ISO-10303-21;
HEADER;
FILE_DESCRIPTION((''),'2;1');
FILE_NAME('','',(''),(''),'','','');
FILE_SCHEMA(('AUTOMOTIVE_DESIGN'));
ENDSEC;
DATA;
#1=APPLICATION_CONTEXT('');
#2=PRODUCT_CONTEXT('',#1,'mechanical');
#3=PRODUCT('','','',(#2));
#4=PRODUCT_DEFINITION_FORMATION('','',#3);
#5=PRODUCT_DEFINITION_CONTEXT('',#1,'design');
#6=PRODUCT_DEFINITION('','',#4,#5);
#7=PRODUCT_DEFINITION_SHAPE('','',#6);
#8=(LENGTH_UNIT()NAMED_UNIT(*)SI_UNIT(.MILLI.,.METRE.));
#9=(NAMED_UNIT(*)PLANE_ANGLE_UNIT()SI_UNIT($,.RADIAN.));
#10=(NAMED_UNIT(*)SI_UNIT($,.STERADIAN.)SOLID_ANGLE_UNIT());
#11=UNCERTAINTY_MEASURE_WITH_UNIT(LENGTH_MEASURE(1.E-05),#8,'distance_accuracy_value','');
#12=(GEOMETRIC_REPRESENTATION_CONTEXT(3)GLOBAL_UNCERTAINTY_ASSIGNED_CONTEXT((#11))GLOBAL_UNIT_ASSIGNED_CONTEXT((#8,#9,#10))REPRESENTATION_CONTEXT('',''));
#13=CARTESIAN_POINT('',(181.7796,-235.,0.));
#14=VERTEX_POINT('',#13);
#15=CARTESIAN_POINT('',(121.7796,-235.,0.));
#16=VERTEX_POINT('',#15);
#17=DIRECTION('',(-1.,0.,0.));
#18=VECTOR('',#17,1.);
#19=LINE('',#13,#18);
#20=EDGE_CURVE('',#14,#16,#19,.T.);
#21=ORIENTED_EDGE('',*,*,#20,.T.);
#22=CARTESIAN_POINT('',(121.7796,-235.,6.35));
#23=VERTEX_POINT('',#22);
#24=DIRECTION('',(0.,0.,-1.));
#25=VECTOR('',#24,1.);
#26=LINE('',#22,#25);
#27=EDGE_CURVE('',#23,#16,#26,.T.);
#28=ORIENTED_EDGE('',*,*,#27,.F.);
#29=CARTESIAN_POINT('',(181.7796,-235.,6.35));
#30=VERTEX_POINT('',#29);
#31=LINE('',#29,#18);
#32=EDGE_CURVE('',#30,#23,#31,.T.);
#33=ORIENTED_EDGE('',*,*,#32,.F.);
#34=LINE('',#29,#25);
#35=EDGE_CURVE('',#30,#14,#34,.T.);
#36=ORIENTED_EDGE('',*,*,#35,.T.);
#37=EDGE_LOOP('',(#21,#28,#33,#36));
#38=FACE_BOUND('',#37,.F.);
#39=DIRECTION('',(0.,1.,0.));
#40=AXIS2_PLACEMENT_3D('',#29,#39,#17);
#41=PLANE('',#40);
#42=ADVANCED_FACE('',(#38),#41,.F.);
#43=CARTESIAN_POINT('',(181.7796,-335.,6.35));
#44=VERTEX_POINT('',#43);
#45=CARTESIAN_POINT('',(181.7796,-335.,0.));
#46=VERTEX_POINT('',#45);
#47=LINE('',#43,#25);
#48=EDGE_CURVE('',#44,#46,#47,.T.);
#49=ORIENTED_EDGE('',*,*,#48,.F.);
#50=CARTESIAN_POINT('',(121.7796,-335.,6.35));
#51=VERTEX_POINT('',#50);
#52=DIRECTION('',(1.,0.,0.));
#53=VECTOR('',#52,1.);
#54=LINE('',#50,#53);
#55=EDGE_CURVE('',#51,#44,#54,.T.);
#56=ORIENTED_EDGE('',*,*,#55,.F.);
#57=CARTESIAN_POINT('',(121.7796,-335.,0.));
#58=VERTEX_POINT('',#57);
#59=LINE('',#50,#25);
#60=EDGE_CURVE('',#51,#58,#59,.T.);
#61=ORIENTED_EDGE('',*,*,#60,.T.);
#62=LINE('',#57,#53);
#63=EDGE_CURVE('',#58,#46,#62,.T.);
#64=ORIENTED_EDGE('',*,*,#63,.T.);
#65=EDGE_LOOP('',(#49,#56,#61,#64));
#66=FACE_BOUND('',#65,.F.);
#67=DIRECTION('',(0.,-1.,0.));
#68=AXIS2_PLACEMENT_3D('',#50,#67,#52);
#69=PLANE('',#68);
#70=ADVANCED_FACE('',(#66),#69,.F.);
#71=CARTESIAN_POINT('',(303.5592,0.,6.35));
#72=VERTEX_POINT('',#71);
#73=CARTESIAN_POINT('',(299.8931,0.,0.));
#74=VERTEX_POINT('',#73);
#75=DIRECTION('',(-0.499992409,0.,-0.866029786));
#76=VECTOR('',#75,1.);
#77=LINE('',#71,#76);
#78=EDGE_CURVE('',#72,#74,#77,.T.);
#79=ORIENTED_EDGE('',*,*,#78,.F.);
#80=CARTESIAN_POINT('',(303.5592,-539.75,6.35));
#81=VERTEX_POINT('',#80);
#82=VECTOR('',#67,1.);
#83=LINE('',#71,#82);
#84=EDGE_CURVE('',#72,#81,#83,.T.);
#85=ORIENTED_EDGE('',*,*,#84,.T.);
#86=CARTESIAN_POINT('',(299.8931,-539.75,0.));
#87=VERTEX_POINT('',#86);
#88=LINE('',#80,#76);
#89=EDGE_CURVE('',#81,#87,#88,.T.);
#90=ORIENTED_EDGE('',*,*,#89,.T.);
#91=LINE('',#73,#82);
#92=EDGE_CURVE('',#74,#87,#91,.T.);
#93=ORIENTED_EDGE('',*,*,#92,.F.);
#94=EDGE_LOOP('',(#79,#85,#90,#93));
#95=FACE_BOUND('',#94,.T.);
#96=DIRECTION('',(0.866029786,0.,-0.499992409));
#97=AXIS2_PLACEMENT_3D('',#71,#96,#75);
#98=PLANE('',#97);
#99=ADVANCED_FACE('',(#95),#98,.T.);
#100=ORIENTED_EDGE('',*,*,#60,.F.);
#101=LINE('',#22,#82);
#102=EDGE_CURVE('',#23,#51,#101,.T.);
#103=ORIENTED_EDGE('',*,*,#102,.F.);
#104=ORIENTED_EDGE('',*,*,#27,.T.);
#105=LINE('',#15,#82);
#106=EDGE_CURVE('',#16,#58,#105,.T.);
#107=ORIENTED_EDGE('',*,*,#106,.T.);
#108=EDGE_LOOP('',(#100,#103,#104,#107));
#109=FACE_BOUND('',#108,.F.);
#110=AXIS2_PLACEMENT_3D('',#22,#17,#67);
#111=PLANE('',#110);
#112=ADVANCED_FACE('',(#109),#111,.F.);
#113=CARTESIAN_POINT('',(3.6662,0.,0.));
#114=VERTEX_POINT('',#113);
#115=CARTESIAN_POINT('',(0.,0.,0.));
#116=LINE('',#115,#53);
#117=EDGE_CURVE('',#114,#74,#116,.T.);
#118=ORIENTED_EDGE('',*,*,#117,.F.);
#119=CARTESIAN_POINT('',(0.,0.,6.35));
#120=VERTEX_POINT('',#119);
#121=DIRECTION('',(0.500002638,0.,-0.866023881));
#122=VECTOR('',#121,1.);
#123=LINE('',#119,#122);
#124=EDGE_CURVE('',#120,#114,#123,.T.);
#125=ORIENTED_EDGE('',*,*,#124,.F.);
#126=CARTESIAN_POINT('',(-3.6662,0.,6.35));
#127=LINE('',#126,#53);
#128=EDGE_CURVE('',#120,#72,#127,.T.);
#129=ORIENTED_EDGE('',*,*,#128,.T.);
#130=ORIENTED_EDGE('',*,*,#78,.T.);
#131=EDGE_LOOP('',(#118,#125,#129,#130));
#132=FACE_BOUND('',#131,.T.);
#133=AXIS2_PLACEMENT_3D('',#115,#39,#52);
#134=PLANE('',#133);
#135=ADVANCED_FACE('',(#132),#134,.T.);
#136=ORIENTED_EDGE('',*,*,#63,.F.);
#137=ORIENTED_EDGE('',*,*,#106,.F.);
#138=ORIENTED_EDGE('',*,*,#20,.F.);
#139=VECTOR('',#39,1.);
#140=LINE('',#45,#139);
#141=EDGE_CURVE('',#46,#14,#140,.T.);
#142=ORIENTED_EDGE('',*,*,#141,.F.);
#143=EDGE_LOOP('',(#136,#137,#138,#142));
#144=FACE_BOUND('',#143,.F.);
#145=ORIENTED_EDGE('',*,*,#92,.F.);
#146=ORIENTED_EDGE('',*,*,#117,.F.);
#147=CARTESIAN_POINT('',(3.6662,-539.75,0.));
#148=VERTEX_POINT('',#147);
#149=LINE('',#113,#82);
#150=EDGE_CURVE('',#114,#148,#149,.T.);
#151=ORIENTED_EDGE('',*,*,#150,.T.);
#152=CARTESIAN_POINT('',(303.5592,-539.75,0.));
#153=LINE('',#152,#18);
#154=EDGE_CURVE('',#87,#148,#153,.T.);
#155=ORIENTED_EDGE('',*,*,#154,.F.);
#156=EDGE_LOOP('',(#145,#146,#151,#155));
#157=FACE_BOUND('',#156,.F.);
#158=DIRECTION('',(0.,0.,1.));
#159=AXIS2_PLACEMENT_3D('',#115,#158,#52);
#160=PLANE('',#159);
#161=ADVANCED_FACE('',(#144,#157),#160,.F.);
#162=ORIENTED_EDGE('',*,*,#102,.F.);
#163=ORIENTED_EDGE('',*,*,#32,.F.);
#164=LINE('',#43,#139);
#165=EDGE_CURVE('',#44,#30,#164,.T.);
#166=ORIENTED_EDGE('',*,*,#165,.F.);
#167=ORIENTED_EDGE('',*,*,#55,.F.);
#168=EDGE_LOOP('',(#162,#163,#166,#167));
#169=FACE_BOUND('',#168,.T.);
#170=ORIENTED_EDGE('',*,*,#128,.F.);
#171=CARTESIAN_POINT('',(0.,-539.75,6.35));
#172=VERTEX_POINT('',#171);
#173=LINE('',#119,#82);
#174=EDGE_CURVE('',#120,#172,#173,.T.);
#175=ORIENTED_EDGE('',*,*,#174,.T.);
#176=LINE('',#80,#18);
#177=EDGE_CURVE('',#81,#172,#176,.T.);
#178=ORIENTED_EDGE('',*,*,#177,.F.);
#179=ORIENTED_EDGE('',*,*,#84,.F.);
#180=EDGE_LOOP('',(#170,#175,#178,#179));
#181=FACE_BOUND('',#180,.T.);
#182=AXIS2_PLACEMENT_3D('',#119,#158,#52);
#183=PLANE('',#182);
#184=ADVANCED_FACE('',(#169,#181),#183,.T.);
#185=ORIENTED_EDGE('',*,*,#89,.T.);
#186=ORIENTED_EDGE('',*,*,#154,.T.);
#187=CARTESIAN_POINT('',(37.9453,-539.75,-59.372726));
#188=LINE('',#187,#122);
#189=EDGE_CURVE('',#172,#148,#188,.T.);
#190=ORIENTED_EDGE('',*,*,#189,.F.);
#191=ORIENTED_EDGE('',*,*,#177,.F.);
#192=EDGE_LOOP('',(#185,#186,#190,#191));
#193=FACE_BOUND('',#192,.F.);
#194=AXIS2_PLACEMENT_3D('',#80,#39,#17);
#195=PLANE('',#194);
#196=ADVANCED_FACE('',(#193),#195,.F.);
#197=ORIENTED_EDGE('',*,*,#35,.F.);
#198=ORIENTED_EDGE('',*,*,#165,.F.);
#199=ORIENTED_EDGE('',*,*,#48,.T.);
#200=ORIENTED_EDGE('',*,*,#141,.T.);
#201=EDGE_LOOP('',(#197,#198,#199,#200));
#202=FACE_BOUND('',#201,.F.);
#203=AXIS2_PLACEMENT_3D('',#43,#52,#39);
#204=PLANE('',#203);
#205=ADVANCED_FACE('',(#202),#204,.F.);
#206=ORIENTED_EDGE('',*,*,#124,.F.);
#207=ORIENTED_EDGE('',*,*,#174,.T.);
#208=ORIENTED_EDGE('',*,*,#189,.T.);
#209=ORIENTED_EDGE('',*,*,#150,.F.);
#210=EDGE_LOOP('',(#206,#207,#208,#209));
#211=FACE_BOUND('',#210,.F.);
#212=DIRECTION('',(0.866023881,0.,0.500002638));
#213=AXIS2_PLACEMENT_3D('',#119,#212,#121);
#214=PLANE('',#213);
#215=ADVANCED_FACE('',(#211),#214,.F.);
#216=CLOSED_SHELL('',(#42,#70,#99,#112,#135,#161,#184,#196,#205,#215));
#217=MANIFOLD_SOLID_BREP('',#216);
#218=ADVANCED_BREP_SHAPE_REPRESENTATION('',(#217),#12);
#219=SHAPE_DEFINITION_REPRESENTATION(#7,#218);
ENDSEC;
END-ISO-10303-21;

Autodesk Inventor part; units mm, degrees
ref_plane "YZ Plane" through (0, 0, 0) normal (1, 0, 0) x (0, 1, 0)
ref_plane "XZ Plane" through (0, 0, 0) normal (0, 1, 0) x (-1, 0, 0)
ref_plane "XY Plane" through (0, 0, 0) normal (0, 0, 1) x (1, 0, 0)
sketch "Sketch1" plane through (0, 0, 0) normal (0, 0, 1) x (1, 0, 0)
  line L0 (0, 0) -> (303.5592, 0)
  line L1 (303.5592, 0) -> (303.5592, -533.4)
  line L2 (303.5592, -533.4) -> (0, -533.4)
  line L3 (0, -533.4) -> (0, 0)
  line L4 (455.3388, 262.89) -> (303.5592, 0)
  line L5 (303.5592, 0) -> (0, 0)
  line L6 (0, 0) -> (-151.7796, 262.89)
  line L7 (-151.7796, 262.89) -> (0, 525.78)
  line L8 (0, 525.78) -> (303.5592, 525.78)
  line L9 (303.5592, 525.78) -> (455.3388, 262.89)
  point P0 (151.7796, 262.89)
  dimension "d1" = 533.4
  dimension "d54" = 525.78
extrude "Extrusion1" add sketch "Sketch1" along normal blind 6.35 contours L0 L1 L2 L3
sketch "Sketch2" plane through (0, 0, 0) normal (0, 1, 0) x (1, 0, 0)
  line L0 (303.5592, -6.35) -> (0, -6.35) projected
  line L1 (0, -6.35) -> (-3.6662, -6.35)
  line L2 (-3.6662, -6.35) -> (0, 0)
  line L3 (0, 0) -> (0, -6.35) projected
  line L4 (0, 0) -> (0, -6.35) projected
  line L5 (0, -6.35) -> (0, 0)
  line L6 (303.5592, -6.35) -> (307.2254, -6.35)
  line L7 (303.5592, 0) -> (303.5592, -6.35) projected
  line L8 (307.2254, -6.35) -> (303.5592, 0)
  line L9 (303.5592, 0) -> (303.5592, -6.35)
  dimension "d4" = 30
  dimension "d5" = 60
extrude "Extrusion2" add sketch "Sketch2" against normal blind 533.4
sketch "Sketch4" plane through (0, 0, 6.35) normal (0, 0, 1) x (1, 0, 0)
  line L0 (137.7796, -228.6) -> (165.7796, -228.6)
  line L1 (165.7796, -228.6) -> (165.7796, -278.6)
  line L2 (165.7796, -278.6) -> (137.7796, -278.6)
  line L3 (137.7796, -278.6) -> (137.7796, -228.6)
  line L4 (-3.6662, 0) -> (-3.6662, -533.4) projected
  line L5 (-3.6662, 0) -> (307.2254, 0) projected
  line L6 (307.2254, -533.4) -> (-3.6662, -533.4) projected
  circle A0 centre (131.7796, -253.6) radius 3
  circle A1 centre (171.7796, -253.6) radius 3
  point P0 (0, 0)
  point P1 (151.7796, -228.6)
  point P2 (151.7796, 0)
  point P3 (165.7796, -253.6)
  point P4 (137.7796, -253.6)
  dimension "d16" = 28
  dimension "d17" = 50
  dimension "d19" = 6
  dimension "d20" = 6
  dimension "d21" = 6
  dimension "d22" = 6
  dimension "d41" = 228.6
extrude "Extrusion4" cut sketch "Sketch4" against normal through all
sketch "Sketch5" plane through (0, 0, 6.35) normal (0, 0, 1) x (1, 0, 0)
  line L0 (195.2796, -309.6) -> (108.2796, -309.6)
  line L1 (108.2796, -309.6) -> (108.2796, -298.6)
  line L2 (108.2796, -298.6) -> (195.2796, -298.6)
  line L3 (195.2796, -298.6) -> (195.2796, -309.6)
  line L4 (165.7796, -278.6) -> (137.7796, -278.6) projected
  line L5 (181.2796, -330.6) -> (159.2796, -330.6)
  line L6 (159.2796, -330.6) -> (159.2796, -318.6)
  line L7 (159.2796, -318.6) -> (181.2796, -318.6)
  line L8 (181.2796, -318.6) -> (181.2796, -330.6)
  line L9 (144.2796, -334.6) -> (122.2796, -334.6)
  line L10 (122.2796, -334.6) -> (122.2796, -314.6)
  line L11 (122.2796, -314.6) -> (144.2796, -314.6)
  line L12 (144.2796, -314.6) -> (144.2796, -334.6)
  line L13 (159.2796, -324.6) -> (144.2796, -324.6) construction
  point P0 (0, 0)
  point P1 (151.7796, -298.6)
  point P2 (151.7796, -278.6)
  point P3 (151.7796, -324.6)
  dimension "d26" = 87
  dimension "d27" = 11
  dimension "d28" = 20
  dimension "d29" = 22
  dimension "d30" = 12
  dimension "d32" = 22
  dimension "d33" = 20
  dimension "d37" = 15
  dimension "d38" = 15
extrude "Extrusion5" cut sketch "Sketch5" against normal through all
sketch "Sketch7" plane through (0, 0, 6.35) normal (0, 0, 1) x (1, 0, 0)
  line L0 (101.7796, -345) -> (201.7796, -345)
  line L1 (201.7796, -345) -> (201.7796, -225)
  line L2 (201.7796, -225) -> (101.7796, -225)
  line L3 (101.7796, -225) -> (101.7796, -345)
  line L4 (-3.6662, 0) -> (307.2254, 0) projected
  point P0 (0, 0)
  point P1 (151.7796, -225)
  point P2 (151.7796, 0)
  dimension "d49" = 100
  dimension "d50" = 120
  dimension "d51" = 225
extrude "Extrusion7" cut sketch "Sketch7" against normal through all
sketch "Sketch8" plane through (0, 0, 0) normal (0, 1, 0) x (1, 0, 0)
  line L0 (-3.6662, -6.35) -> (307.2254, -6.35) projected
  line L1 (0, 0) -> (-3.6662, 0)
  line L2 (-3.6662, 0) -> (-3.6662, -6.35)
  line L3 (-3.6662, -6.35) -> (0, -6.35)
  line L4 (0, -6.35) -> (0, 0)
  line L5 (0, 0) -> (303.5592, 0) projected
  line L6 (307.2254, -6.35) -> (303.5592, -6.35)
  line L7 (303.5592, -6.35) -> (303.5592, 0)
  line L8 (303.5592, 0) -> (307.2254, 0)
  line L9 (307.2254, 0) -> (307.2254, -6.35)
extrude "Extrusion8" cut sketch "Sketch8" against normal through all contours L2 L1 L4 L0 | L7 L8 L9 L0
sketch "Sketch9" plane through (0, 0, 6.35) normal (0, 0, 1) x (1, 0, 0)
  line L0 (121.7796, -335) -> (181.7796, -335)
  line L1 (181.7796, -335) -> (181.7796, -235)
  line L2 (181.7796, -235) -> (121.7796, -235)
  line L3 (121.7796, -235) -> (121.7796, -335)
  line L4 (0, 0) -> (303.5592, 0) projected
  line L5 (101.7796, -345) -> (101.7796, -225) projected
  line L6 (201.7796, -225) -> (201.7796, -345) projected
  line L7 (201.7796, -345) -> (101.7796, -345) projected
  line L8 (101.7796, -345) -> (101.7796, -225) projected
  line L9 (101.7796, -225) -> (201.7796, -225) projected
  line L10 (0, 0) -> (0, -533.4) projected
  line L11 (303.5592, -533.4) -> (0, -533.4) projected
  line L12 (303.5592, -533.4) -> (303.5592, 0) projected
  line L13 (0, 0) -> (303.5592, 0) projected
  point P0 (121.7796, -285)
  point P1 (101.7796, -285)
  point P2 (151.7796, -235)
  point P3 (151.7796, 0)
  dimension "d57" = 60
  dimension "d58" = 100
extrude "Extrusion9" add sketch "Sketch9" against normal blind 6.35 contours L5 L9 L6 L7
sketch "Sketch10" plane through (0, 0, 6.35) normal (0, 0, 1) x (1, 0, 0)
  line L0 (0, -533.4) -> (0, 0) projected
  line L1 (0, -533.4) -> (303.5592, -533.4)
  line L2 (303.5592, -533.4) -> (303.5592, -539.75)
  line L3 (303.5592, -539.75) -> (0, -539.75)
  line L4 (0, -539.75) -> (0, -533.4)
  dimension "d61" = 6.35
extrude "Extrusion10" add sketch "Sketch10" against normal blind 6.35
sketch "Sketch11" plane through (0, 0, 0) normal (0, 1, 0) x (1, 0, 0)
  line L0 (0, -6.35) -> (303.5592, -6.35) construction
  line L1 (0, -6.35) -> (3.6662, 0)
  line L2 (0, 0) -> (303.5592, 0) construction
  line L3 (3.6662, 0) -> (0, 0)
  line L4 (0, 0) -> (0, -6.35)
  line L5 (303.5592, -6.35) -> (299.8931, 0)
  line L6 (299.8931, 0) -> (303.5592, 0)
  line L7 (303.5592, -6.35) -> (303.5592, 0) projected
  line L8 (303.5592, -6.35) -> (303.5592, 0)
  dimension "d64" = 30
  dimension "d65" = 30
extrude "Extrusion11" cut sketch "Sketch11" against normal through all
properties part number "BA03" material "ABS Plastic"
